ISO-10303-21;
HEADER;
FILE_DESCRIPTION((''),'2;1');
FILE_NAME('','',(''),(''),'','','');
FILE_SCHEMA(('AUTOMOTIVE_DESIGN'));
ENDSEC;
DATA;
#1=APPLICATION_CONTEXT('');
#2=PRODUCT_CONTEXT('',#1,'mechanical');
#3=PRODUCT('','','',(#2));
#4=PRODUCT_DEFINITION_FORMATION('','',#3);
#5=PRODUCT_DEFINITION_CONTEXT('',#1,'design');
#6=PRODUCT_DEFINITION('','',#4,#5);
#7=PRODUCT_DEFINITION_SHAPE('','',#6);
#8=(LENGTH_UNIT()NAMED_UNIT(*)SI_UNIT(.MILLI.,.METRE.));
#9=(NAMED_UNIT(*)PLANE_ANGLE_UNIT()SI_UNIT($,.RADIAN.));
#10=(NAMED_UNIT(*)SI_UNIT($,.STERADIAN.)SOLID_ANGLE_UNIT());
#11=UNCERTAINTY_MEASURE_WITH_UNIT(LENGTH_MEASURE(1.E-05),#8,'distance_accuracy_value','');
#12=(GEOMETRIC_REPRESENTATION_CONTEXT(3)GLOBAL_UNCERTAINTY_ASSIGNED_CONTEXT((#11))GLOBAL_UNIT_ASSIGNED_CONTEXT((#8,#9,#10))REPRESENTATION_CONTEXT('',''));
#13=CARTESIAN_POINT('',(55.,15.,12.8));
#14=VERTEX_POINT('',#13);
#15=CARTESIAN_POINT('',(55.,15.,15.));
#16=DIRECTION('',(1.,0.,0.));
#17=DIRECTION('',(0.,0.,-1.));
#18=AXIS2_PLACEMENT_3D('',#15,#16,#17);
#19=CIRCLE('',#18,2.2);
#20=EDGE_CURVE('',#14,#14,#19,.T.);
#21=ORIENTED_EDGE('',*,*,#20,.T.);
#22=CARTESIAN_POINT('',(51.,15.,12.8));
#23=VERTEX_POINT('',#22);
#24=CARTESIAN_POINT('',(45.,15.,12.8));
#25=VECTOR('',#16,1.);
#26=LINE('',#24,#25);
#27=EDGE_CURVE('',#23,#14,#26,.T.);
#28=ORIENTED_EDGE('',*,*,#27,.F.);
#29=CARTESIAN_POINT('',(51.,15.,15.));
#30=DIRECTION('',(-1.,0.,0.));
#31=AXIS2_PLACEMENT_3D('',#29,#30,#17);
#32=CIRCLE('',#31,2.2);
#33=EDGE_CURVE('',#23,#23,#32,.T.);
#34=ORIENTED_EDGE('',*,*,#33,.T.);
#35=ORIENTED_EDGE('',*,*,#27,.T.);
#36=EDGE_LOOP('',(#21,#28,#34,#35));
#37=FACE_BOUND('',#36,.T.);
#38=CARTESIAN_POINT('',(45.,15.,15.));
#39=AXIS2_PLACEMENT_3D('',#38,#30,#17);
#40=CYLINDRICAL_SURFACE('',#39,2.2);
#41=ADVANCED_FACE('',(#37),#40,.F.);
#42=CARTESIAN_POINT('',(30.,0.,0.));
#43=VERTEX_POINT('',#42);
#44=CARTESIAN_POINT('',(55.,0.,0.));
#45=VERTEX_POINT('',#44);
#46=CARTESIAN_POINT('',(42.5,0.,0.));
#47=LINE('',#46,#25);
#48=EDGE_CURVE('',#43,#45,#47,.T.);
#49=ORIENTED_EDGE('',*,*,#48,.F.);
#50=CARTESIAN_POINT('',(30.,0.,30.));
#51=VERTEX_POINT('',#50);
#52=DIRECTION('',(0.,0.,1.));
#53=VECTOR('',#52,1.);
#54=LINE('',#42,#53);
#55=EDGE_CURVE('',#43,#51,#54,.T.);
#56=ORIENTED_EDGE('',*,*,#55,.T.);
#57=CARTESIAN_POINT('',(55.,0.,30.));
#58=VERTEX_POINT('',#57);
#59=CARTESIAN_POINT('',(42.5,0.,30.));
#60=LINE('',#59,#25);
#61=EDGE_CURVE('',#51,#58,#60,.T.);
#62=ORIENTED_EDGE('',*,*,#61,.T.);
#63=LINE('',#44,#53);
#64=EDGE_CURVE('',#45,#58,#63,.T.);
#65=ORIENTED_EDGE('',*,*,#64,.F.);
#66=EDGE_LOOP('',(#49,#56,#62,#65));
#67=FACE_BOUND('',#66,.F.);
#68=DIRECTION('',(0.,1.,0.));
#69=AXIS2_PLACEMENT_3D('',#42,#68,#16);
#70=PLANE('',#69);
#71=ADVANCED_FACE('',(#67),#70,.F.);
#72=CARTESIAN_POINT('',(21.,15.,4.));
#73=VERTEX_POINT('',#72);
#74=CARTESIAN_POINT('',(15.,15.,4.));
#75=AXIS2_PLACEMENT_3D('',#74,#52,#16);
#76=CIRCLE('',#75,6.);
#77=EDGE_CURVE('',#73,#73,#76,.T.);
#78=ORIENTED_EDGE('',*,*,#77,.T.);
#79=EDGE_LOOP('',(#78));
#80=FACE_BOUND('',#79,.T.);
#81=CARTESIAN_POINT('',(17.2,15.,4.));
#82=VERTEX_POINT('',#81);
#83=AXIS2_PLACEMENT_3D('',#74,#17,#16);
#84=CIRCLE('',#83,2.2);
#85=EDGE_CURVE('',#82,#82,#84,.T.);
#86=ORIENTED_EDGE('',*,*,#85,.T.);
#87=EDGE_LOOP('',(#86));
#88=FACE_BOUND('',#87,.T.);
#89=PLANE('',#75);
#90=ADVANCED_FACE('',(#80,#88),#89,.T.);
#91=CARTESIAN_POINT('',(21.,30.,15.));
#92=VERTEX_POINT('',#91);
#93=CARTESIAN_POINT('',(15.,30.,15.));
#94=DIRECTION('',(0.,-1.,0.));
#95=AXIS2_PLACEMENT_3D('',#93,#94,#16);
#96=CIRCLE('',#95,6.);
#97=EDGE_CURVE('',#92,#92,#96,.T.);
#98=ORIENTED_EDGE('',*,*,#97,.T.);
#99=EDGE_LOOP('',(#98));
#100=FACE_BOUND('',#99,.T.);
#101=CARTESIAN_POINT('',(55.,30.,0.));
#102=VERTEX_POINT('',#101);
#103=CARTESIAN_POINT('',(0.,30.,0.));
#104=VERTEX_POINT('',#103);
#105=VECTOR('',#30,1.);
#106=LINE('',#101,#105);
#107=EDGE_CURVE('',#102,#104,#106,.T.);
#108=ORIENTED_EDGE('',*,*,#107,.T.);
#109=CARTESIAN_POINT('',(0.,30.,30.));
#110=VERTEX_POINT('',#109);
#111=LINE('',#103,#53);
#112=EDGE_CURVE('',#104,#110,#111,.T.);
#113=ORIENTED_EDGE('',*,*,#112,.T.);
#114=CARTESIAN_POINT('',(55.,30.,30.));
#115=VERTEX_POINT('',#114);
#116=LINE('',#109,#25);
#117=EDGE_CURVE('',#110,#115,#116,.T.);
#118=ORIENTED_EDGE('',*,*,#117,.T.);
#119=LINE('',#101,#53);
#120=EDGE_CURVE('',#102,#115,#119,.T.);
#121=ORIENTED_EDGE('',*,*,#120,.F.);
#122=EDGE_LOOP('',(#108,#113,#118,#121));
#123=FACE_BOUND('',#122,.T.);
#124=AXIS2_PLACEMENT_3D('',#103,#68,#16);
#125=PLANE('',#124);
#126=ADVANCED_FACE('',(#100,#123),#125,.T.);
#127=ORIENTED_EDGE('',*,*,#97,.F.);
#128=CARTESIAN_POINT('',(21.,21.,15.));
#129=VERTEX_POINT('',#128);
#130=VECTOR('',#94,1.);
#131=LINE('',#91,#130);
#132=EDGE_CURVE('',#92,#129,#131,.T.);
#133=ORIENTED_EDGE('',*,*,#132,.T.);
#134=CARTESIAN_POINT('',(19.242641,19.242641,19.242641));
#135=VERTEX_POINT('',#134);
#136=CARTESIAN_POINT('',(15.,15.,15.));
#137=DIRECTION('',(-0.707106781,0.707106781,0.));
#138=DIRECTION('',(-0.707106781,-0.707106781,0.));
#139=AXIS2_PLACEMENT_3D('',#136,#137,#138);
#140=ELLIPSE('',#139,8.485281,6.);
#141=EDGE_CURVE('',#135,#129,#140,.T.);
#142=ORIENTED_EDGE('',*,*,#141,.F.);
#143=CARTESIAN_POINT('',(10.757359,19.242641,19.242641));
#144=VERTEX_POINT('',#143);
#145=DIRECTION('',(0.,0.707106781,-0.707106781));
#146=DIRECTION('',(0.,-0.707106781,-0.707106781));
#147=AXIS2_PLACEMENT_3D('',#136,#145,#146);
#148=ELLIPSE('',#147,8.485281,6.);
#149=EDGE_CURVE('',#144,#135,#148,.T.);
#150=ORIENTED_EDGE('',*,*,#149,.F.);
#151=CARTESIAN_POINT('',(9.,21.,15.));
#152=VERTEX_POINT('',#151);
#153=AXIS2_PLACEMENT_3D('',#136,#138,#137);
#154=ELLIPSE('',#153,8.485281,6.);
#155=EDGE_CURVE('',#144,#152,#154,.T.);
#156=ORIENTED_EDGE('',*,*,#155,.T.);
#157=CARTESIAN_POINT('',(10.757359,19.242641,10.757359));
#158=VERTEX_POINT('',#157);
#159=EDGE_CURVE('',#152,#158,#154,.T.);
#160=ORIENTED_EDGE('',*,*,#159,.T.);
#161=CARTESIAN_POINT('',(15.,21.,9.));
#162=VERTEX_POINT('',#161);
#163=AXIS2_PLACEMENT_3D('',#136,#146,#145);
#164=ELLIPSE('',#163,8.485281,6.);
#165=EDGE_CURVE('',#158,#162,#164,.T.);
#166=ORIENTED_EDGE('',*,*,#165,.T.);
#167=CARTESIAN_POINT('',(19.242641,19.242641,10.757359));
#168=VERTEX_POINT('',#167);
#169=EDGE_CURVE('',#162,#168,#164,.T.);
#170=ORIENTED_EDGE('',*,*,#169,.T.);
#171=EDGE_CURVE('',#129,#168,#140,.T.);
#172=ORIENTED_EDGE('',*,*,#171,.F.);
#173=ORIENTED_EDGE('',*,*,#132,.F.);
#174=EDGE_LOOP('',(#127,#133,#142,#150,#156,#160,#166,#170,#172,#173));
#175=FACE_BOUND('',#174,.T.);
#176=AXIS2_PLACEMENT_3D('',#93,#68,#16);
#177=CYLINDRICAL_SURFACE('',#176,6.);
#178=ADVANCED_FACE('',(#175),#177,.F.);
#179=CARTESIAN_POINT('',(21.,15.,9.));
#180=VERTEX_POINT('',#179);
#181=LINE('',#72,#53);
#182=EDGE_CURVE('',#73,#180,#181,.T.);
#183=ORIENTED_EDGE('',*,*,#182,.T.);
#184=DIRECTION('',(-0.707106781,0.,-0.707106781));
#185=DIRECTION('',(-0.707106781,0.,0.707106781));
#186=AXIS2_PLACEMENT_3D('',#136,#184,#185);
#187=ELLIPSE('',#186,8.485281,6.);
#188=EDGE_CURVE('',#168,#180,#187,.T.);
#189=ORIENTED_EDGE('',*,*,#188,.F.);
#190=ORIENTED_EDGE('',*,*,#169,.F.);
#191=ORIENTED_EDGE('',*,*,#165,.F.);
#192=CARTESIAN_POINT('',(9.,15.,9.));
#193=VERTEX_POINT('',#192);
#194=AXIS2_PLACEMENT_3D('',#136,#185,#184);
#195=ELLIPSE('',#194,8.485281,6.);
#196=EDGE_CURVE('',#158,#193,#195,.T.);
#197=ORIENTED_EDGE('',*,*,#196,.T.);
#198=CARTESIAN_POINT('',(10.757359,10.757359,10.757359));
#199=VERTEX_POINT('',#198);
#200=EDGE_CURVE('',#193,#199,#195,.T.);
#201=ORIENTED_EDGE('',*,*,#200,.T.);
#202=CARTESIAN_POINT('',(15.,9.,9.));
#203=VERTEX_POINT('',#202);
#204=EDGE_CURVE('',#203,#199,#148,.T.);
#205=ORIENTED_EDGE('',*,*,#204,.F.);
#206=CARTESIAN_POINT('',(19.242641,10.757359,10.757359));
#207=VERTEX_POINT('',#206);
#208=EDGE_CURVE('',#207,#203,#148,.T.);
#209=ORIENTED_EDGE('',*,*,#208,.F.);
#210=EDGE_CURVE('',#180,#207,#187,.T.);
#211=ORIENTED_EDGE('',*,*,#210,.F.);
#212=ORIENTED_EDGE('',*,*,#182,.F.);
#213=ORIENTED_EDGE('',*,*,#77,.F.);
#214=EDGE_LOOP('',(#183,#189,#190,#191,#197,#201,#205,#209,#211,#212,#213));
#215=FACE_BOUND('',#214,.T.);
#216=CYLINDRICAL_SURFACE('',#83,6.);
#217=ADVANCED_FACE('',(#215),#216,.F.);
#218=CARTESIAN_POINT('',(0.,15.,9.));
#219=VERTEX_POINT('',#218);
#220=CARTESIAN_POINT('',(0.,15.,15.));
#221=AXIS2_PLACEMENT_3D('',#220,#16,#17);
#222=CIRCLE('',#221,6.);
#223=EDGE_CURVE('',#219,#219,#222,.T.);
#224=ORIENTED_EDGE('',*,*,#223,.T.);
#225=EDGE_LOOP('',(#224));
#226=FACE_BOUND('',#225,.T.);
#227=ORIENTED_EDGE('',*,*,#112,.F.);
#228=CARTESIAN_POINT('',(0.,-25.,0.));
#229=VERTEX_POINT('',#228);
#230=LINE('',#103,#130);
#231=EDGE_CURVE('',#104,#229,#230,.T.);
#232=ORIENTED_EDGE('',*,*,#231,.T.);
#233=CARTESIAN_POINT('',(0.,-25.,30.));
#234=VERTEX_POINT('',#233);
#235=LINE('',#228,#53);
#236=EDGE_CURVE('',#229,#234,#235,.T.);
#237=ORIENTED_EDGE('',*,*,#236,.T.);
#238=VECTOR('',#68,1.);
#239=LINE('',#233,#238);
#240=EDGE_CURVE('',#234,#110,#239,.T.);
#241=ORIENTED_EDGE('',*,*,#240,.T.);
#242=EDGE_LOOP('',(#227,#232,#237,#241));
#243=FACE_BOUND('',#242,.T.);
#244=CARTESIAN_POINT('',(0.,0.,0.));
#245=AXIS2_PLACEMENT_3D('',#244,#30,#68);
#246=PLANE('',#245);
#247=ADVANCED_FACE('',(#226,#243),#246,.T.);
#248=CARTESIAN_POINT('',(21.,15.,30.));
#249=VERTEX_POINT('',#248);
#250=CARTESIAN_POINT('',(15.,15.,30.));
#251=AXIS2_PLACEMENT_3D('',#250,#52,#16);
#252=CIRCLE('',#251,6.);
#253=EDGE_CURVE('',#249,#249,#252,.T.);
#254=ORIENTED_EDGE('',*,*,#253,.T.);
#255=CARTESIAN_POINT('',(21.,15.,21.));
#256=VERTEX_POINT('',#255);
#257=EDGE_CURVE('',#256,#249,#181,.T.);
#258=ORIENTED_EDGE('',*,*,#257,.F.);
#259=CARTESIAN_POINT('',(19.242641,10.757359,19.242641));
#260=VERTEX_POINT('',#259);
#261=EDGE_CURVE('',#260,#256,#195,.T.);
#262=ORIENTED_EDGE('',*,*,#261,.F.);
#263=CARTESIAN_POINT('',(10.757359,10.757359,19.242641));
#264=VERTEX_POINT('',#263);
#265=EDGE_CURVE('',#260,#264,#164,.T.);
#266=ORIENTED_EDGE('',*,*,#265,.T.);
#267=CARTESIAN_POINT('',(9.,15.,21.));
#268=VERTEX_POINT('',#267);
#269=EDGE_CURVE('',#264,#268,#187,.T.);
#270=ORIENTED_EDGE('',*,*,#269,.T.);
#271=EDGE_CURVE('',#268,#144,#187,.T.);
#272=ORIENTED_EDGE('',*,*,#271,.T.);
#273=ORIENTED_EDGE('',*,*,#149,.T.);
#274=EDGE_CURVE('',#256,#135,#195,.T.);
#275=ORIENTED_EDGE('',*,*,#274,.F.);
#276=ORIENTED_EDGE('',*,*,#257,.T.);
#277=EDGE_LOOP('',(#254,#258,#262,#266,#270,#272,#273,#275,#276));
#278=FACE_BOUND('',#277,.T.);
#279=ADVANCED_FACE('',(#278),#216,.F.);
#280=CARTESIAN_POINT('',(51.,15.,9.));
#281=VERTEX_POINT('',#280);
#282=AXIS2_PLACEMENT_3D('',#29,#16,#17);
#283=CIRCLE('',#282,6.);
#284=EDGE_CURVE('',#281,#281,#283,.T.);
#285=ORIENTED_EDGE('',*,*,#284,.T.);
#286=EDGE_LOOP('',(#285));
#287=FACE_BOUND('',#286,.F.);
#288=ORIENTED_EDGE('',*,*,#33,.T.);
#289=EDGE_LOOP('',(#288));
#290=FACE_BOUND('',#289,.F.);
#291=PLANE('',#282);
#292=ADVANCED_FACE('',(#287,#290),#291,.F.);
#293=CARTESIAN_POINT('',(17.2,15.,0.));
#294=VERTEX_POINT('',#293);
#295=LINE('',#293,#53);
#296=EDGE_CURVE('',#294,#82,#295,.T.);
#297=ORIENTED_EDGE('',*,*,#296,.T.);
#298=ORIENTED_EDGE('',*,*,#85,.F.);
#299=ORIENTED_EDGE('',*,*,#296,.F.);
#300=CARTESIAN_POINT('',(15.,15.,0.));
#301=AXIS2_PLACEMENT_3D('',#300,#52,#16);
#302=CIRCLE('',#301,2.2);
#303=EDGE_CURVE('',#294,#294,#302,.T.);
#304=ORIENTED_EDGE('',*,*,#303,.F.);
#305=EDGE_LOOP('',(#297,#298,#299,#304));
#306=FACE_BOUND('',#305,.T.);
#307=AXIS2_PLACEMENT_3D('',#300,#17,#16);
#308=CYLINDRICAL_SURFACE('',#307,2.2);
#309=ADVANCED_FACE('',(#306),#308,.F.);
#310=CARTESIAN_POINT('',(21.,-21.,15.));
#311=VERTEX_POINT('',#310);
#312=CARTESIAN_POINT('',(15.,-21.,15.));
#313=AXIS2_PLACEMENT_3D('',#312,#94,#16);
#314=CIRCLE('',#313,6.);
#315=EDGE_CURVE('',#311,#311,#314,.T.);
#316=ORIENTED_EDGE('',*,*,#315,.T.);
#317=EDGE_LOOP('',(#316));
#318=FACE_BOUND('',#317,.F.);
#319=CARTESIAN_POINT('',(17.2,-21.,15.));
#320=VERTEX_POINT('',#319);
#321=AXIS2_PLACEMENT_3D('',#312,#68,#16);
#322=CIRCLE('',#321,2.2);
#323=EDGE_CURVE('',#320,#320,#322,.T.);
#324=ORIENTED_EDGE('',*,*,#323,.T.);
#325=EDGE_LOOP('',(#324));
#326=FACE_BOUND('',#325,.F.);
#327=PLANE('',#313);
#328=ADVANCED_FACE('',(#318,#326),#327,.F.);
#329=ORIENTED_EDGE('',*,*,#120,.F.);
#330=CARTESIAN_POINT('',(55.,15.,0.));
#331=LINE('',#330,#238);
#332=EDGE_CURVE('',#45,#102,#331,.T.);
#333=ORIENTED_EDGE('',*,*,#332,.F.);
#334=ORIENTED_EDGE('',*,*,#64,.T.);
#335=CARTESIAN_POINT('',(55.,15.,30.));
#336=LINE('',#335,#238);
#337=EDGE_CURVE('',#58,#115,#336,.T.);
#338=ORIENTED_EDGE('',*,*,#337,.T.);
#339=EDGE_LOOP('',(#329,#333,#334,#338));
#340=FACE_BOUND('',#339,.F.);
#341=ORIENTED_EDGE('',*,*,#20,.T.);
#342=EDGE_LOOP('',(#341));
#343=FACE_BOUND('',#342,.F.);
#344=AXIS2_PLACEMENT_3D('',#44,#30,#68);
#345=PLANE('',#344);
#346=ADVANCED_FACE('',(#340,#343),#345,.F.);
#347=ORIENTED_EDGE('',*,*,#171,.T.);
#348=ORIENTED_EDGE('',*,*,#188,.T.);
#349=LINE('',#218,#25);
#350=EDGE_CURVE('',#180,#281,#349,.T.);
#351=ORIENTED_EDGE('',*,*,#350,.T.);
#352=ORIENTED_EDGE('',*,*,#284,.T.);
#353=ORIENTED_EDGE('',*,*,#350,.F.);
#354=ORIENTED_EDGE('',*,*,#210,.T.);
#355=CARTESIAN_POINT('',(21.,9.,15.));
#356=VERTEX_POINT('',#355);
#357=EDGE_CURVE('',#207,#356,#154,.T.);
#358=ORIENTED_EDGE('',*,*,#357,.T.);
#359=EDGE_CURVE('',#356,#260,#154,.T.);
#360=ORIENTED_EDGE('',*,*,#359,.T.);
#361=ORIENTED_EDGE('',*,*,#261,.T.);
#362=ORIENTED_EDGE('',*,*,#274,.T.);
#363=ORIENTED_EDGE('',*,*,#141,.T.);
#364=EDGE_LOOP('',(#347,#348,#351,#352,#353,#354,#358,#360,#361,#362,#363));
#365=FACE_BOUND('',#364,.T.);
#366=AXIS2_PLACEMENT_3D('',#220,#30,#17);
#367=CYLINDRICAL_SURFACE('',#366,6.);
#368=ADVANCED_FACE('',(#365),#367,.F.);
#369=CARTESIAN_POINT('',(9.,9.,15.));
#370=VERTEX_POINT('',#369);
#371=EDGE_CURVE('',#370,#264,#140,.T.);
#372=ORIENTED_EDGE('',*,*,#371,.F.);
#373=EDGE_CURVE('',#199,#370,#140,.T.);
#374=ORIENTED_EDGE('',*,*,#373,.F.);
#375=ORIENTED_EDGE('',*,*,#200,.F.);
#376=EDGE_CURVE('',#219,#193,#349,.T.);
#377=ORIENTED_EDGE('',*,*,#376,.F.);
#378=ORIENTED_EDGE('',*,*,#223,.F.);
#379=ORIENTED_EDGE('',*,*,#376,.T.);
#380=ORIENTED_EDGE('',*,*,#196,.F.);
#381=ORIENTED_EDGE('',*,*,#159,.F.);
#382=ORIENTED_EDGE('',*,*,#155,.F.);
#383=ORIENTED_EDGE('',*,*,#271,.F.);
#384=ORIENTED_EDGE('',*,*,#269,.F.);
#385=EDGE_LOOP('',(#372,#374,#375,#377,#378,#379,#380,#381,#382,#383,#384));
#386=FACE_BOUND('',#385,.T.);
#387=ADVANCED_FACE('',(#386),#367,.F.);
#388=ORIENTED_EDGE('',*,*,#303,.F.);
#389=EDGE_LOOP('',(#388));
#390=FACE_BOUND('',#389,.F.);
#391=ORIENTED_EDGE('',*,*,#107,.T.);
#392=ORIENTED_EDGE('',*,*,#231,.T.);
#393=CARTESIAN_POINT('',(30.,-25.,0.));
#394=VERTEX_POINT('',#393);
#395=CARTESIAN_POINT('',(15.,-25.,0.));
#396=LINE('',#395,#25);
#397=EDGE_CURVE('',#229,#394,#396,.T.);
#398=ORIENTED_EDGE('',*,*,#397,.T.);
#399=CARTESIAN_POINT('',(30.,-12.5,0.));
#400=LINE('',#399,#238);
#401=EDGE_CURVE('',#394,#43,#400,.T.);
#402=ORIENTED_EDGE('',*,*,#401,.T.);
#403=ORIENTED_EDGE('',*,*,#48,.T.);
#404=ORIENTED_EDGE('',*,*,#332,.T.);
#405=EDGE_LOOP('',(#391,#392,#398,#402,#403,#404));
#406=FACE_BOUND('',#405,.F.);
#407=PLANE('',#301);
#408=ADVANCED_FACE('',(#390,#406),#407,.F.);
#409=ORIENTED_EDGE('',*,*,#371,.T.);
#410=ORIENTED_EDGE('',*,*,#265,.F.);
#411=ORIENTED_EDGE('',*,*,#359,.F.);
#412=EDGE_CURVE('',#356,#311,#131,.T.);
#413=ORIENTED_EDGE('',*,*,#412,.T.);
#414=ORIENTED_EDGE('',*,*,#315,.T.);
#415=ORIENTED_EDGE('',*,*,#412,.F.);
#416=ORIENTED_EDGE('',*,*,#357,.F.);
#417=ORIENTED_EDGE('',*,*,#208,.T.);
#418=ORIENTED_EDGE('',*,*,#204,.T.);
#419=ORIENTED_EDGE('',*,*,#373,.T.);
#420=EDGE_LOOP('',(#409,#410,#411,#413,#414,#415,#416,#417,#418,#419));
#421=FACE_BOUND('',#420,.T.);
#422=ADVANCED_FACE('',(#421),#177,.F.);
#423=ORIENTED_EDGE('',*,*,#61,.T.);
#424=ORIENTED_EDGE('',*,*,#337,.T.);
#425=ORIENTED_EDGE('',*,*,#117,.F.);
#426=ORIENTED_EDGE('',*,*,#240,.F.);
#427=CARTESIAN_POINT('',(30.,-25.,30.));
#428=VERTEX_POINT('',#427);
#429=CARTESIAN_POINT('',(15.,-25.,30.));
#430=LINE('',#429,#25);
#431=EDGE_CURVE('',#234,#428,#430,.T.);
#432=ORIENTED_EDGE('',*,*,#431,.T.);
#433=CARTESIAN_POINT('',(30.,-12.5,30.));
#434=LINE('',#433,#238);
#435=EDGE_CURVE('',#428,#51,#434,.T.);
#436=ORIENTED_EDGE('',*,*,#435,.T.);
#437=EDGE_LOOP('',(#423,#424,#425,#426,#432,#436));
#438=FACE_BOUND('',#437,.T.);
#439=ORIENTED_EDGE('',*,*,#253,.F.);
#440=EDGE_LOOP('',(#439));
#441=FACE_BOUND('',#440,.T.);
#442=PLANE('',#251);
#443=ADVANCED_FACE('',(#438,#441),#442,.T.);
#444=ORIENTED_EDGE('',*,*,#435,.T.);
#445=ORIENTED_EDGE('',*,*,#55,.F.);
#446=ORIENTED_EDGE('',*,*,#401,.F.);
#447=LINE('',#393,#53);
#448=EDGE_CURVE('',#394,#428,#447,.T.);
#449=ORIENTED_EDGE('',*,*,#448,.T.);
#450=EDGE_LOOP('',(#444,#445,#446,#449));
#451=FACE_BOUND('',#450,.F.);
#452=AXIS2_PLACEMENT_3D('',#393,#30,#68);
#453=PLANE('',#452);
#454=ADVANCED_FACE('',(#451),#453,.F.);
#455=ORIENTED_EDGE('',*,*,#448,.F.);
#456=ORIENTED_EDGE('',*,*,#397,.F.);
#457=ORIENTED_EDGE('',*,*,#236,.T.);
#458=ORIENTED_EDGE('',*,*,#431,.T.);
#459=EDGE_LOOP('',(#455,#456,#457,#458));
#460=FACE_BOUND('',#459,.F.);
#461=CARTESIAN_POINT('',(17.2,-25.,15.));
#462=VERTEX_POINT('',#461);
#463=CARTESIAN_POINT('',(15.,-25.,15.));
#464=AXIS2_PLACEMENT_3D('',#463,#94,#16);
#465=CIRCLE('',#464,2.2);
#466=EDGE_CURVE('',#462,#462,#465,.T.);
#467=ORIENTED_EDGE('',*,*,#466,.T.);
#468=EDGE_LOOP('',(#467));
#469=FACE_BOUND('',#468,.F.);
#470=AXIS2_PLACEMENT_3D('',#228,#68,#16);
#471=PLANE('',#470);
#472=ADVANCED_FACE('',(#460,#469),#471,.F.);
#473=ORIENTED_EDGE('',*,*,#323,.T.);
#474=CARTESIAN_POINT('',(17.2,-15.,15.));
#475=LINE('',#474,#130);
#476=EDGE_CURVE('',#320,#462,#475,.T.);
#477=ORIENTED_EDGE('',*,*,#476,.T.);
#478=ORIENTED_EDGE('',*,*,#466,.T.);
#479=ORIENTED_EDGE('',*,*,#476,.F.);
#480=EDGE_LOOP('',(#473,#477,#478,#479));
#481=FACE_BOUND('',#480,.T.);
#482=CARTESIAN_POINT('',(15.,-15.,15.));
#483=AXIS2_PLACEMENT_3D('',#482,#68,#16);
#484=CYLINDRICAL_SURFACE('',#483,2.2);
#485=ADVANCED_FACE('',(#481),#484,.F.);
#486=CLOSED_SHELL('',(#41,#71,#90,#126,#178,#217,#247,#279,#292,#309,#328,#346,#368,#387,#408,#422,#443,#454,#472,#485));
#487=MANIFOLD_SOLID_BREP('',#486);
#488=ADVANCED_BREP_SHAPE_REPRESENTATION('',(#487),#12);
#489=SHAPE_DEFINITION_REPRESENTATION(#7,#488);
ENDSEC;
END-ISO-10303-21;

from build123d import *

# Parameters (mm, degrees)
CYLINDER006_R     = 2.2
CYLINDER006_DEPTH = 10
CYLINDER007_R     = 6
CYLINDER007_DEPTH = 51
CYLINDER005_R     = 2.2
CYLINDER005_DEPTH = 10
CYLINDER004_R     = 6
CYLINDER004_DEPTH = 26
CYLINDER008_R     = 6
CYLINDER008_DEPTH = 51
CYLINDER009_R     = 2.2
CYLINDER009_DEPTH = 30
BOX002_W          = 25
BOX002_H          = 30
BOX002_DEPTH      = 30
BOX_W             = 30
BOX_H             = 30
BOX_DEPTH         = 30
BOX001_W          = 30
BOX001_H          = 25
BOX001_DEPTH      = 30


with BuildPart() as cylinder006:
    # Cylinder006 → Cylinder006 (new body)
    with BuildSketch(Plane(origin=(15, -15, 15), x_dir=(1, 0, 0), z_dir=(0, -1, 0))):
        Circle(CYLINDER006_R)
    extrude(amount=CYLINDER006_DEPTH)


with BuildPart() as cylinder007:
    # Cylinder007 → Cylinder007 (new body)
    with BuildSketch(Plane(origin=(0, 15, 15), x_dir=(0, 0, -1), z_dir=(1, 0, 0))):
        Circle(CYLINDER007_R)
    extrude(amount=CYLINDER007_DEPTH)


with BuildPart() as cylinder005:
    # Cylinder005 → Cylinder005 (new body)
    with BuildSketch(Plane(origin=(45, 15, 15), x_dir=(0, 0, -1), z_dir=(1, 0, 0))):
        Circle(CYLINDER005_R)
    extrude(amount=CYLINDER005_DEPTH)


with BuildPart() as cylinder004:
    # Cylinder004 → Cylinder004 (new body)
    with BuildSketch(Plane(origin=(15, 15, 4), x_dir=(1, 0, 0), z_dir=(0, 0, 1))):
        Circle(CYLINDER004_R)
    extrude(amount=CYLINDER004_DEPTH)


with BuildPart() as cylinder008:
    # Cylinder008 → Cylinder008 (new body)
    with BuildSketch(Plane(origin=(15, 30, 15), x_dir=(1, 0, 0), z_dir=(0, -1, 0))):
        Circle(CYLINDER008_R)
    extrude(amount=CYLINDER008_DEPTH)


with BuildPart() as corner_inner_cut:
    # Cylinder009 → Cylinder009 (new body)
    with BuildSketch(Plane(origin=(15, 15, 0), x_dir=(1, 0, 0), z_dir=(0, 0, 1))):
        Circle(CYLINDER009_R)
    extrude(amount=CYLINDER009_DEPTH)

    # Fusion020006007003002013004: union Cylinder006, Cylinder007, Cylinder005, Cylinder004, Cylinder008
    add(cylinder006.part)
    add(cylinder007.part)
    add(cylinder005.part)
    add(cylinder004.part)
    add(cylinder008.part)


with BuildPart() as cube002:
    # Box002 → Box002 (new body)
    with BuildSketch(Plane(origin=(30, 0, 0), x_dir=(1, 0, 0), z_dir=(0, 0, 1))):
        with Locations((12.5, 15)):
            Rectangle(BOX002_W, BOX002_H)
    extrude(amount=BOX002_DEPTH)


with BuildPart() as cube:
    # Box → Box (new body)
    with BuildSketch(Plane.XY):
        with Locations((15, 15)):
            Rectangle(BOX_W, BOX_H)
    extrude(amount=BOX_DEPTH)


with BuildPart() as corner_base:
    # Box001 → Box001 (new body)
    with BuildSketch(Plane(origin=(0, -25, 0), x_dir=(1, 0, 0), z_dir=(0, 0, 1))):
        with Locations((15, 12.5)):
            Rectangle(BOX001_W, BOX001_H)
    extrude(amount=BOX001_DEPTH)

    # Fusion: union Cube002, Cube
    add(cube002.part)
    add(cube.part)

    # Cut: cut corner-inner-cut
    add(corner_inner_cut.part, mode=Mode.SUBTRACT)


solid = corner_base.part
